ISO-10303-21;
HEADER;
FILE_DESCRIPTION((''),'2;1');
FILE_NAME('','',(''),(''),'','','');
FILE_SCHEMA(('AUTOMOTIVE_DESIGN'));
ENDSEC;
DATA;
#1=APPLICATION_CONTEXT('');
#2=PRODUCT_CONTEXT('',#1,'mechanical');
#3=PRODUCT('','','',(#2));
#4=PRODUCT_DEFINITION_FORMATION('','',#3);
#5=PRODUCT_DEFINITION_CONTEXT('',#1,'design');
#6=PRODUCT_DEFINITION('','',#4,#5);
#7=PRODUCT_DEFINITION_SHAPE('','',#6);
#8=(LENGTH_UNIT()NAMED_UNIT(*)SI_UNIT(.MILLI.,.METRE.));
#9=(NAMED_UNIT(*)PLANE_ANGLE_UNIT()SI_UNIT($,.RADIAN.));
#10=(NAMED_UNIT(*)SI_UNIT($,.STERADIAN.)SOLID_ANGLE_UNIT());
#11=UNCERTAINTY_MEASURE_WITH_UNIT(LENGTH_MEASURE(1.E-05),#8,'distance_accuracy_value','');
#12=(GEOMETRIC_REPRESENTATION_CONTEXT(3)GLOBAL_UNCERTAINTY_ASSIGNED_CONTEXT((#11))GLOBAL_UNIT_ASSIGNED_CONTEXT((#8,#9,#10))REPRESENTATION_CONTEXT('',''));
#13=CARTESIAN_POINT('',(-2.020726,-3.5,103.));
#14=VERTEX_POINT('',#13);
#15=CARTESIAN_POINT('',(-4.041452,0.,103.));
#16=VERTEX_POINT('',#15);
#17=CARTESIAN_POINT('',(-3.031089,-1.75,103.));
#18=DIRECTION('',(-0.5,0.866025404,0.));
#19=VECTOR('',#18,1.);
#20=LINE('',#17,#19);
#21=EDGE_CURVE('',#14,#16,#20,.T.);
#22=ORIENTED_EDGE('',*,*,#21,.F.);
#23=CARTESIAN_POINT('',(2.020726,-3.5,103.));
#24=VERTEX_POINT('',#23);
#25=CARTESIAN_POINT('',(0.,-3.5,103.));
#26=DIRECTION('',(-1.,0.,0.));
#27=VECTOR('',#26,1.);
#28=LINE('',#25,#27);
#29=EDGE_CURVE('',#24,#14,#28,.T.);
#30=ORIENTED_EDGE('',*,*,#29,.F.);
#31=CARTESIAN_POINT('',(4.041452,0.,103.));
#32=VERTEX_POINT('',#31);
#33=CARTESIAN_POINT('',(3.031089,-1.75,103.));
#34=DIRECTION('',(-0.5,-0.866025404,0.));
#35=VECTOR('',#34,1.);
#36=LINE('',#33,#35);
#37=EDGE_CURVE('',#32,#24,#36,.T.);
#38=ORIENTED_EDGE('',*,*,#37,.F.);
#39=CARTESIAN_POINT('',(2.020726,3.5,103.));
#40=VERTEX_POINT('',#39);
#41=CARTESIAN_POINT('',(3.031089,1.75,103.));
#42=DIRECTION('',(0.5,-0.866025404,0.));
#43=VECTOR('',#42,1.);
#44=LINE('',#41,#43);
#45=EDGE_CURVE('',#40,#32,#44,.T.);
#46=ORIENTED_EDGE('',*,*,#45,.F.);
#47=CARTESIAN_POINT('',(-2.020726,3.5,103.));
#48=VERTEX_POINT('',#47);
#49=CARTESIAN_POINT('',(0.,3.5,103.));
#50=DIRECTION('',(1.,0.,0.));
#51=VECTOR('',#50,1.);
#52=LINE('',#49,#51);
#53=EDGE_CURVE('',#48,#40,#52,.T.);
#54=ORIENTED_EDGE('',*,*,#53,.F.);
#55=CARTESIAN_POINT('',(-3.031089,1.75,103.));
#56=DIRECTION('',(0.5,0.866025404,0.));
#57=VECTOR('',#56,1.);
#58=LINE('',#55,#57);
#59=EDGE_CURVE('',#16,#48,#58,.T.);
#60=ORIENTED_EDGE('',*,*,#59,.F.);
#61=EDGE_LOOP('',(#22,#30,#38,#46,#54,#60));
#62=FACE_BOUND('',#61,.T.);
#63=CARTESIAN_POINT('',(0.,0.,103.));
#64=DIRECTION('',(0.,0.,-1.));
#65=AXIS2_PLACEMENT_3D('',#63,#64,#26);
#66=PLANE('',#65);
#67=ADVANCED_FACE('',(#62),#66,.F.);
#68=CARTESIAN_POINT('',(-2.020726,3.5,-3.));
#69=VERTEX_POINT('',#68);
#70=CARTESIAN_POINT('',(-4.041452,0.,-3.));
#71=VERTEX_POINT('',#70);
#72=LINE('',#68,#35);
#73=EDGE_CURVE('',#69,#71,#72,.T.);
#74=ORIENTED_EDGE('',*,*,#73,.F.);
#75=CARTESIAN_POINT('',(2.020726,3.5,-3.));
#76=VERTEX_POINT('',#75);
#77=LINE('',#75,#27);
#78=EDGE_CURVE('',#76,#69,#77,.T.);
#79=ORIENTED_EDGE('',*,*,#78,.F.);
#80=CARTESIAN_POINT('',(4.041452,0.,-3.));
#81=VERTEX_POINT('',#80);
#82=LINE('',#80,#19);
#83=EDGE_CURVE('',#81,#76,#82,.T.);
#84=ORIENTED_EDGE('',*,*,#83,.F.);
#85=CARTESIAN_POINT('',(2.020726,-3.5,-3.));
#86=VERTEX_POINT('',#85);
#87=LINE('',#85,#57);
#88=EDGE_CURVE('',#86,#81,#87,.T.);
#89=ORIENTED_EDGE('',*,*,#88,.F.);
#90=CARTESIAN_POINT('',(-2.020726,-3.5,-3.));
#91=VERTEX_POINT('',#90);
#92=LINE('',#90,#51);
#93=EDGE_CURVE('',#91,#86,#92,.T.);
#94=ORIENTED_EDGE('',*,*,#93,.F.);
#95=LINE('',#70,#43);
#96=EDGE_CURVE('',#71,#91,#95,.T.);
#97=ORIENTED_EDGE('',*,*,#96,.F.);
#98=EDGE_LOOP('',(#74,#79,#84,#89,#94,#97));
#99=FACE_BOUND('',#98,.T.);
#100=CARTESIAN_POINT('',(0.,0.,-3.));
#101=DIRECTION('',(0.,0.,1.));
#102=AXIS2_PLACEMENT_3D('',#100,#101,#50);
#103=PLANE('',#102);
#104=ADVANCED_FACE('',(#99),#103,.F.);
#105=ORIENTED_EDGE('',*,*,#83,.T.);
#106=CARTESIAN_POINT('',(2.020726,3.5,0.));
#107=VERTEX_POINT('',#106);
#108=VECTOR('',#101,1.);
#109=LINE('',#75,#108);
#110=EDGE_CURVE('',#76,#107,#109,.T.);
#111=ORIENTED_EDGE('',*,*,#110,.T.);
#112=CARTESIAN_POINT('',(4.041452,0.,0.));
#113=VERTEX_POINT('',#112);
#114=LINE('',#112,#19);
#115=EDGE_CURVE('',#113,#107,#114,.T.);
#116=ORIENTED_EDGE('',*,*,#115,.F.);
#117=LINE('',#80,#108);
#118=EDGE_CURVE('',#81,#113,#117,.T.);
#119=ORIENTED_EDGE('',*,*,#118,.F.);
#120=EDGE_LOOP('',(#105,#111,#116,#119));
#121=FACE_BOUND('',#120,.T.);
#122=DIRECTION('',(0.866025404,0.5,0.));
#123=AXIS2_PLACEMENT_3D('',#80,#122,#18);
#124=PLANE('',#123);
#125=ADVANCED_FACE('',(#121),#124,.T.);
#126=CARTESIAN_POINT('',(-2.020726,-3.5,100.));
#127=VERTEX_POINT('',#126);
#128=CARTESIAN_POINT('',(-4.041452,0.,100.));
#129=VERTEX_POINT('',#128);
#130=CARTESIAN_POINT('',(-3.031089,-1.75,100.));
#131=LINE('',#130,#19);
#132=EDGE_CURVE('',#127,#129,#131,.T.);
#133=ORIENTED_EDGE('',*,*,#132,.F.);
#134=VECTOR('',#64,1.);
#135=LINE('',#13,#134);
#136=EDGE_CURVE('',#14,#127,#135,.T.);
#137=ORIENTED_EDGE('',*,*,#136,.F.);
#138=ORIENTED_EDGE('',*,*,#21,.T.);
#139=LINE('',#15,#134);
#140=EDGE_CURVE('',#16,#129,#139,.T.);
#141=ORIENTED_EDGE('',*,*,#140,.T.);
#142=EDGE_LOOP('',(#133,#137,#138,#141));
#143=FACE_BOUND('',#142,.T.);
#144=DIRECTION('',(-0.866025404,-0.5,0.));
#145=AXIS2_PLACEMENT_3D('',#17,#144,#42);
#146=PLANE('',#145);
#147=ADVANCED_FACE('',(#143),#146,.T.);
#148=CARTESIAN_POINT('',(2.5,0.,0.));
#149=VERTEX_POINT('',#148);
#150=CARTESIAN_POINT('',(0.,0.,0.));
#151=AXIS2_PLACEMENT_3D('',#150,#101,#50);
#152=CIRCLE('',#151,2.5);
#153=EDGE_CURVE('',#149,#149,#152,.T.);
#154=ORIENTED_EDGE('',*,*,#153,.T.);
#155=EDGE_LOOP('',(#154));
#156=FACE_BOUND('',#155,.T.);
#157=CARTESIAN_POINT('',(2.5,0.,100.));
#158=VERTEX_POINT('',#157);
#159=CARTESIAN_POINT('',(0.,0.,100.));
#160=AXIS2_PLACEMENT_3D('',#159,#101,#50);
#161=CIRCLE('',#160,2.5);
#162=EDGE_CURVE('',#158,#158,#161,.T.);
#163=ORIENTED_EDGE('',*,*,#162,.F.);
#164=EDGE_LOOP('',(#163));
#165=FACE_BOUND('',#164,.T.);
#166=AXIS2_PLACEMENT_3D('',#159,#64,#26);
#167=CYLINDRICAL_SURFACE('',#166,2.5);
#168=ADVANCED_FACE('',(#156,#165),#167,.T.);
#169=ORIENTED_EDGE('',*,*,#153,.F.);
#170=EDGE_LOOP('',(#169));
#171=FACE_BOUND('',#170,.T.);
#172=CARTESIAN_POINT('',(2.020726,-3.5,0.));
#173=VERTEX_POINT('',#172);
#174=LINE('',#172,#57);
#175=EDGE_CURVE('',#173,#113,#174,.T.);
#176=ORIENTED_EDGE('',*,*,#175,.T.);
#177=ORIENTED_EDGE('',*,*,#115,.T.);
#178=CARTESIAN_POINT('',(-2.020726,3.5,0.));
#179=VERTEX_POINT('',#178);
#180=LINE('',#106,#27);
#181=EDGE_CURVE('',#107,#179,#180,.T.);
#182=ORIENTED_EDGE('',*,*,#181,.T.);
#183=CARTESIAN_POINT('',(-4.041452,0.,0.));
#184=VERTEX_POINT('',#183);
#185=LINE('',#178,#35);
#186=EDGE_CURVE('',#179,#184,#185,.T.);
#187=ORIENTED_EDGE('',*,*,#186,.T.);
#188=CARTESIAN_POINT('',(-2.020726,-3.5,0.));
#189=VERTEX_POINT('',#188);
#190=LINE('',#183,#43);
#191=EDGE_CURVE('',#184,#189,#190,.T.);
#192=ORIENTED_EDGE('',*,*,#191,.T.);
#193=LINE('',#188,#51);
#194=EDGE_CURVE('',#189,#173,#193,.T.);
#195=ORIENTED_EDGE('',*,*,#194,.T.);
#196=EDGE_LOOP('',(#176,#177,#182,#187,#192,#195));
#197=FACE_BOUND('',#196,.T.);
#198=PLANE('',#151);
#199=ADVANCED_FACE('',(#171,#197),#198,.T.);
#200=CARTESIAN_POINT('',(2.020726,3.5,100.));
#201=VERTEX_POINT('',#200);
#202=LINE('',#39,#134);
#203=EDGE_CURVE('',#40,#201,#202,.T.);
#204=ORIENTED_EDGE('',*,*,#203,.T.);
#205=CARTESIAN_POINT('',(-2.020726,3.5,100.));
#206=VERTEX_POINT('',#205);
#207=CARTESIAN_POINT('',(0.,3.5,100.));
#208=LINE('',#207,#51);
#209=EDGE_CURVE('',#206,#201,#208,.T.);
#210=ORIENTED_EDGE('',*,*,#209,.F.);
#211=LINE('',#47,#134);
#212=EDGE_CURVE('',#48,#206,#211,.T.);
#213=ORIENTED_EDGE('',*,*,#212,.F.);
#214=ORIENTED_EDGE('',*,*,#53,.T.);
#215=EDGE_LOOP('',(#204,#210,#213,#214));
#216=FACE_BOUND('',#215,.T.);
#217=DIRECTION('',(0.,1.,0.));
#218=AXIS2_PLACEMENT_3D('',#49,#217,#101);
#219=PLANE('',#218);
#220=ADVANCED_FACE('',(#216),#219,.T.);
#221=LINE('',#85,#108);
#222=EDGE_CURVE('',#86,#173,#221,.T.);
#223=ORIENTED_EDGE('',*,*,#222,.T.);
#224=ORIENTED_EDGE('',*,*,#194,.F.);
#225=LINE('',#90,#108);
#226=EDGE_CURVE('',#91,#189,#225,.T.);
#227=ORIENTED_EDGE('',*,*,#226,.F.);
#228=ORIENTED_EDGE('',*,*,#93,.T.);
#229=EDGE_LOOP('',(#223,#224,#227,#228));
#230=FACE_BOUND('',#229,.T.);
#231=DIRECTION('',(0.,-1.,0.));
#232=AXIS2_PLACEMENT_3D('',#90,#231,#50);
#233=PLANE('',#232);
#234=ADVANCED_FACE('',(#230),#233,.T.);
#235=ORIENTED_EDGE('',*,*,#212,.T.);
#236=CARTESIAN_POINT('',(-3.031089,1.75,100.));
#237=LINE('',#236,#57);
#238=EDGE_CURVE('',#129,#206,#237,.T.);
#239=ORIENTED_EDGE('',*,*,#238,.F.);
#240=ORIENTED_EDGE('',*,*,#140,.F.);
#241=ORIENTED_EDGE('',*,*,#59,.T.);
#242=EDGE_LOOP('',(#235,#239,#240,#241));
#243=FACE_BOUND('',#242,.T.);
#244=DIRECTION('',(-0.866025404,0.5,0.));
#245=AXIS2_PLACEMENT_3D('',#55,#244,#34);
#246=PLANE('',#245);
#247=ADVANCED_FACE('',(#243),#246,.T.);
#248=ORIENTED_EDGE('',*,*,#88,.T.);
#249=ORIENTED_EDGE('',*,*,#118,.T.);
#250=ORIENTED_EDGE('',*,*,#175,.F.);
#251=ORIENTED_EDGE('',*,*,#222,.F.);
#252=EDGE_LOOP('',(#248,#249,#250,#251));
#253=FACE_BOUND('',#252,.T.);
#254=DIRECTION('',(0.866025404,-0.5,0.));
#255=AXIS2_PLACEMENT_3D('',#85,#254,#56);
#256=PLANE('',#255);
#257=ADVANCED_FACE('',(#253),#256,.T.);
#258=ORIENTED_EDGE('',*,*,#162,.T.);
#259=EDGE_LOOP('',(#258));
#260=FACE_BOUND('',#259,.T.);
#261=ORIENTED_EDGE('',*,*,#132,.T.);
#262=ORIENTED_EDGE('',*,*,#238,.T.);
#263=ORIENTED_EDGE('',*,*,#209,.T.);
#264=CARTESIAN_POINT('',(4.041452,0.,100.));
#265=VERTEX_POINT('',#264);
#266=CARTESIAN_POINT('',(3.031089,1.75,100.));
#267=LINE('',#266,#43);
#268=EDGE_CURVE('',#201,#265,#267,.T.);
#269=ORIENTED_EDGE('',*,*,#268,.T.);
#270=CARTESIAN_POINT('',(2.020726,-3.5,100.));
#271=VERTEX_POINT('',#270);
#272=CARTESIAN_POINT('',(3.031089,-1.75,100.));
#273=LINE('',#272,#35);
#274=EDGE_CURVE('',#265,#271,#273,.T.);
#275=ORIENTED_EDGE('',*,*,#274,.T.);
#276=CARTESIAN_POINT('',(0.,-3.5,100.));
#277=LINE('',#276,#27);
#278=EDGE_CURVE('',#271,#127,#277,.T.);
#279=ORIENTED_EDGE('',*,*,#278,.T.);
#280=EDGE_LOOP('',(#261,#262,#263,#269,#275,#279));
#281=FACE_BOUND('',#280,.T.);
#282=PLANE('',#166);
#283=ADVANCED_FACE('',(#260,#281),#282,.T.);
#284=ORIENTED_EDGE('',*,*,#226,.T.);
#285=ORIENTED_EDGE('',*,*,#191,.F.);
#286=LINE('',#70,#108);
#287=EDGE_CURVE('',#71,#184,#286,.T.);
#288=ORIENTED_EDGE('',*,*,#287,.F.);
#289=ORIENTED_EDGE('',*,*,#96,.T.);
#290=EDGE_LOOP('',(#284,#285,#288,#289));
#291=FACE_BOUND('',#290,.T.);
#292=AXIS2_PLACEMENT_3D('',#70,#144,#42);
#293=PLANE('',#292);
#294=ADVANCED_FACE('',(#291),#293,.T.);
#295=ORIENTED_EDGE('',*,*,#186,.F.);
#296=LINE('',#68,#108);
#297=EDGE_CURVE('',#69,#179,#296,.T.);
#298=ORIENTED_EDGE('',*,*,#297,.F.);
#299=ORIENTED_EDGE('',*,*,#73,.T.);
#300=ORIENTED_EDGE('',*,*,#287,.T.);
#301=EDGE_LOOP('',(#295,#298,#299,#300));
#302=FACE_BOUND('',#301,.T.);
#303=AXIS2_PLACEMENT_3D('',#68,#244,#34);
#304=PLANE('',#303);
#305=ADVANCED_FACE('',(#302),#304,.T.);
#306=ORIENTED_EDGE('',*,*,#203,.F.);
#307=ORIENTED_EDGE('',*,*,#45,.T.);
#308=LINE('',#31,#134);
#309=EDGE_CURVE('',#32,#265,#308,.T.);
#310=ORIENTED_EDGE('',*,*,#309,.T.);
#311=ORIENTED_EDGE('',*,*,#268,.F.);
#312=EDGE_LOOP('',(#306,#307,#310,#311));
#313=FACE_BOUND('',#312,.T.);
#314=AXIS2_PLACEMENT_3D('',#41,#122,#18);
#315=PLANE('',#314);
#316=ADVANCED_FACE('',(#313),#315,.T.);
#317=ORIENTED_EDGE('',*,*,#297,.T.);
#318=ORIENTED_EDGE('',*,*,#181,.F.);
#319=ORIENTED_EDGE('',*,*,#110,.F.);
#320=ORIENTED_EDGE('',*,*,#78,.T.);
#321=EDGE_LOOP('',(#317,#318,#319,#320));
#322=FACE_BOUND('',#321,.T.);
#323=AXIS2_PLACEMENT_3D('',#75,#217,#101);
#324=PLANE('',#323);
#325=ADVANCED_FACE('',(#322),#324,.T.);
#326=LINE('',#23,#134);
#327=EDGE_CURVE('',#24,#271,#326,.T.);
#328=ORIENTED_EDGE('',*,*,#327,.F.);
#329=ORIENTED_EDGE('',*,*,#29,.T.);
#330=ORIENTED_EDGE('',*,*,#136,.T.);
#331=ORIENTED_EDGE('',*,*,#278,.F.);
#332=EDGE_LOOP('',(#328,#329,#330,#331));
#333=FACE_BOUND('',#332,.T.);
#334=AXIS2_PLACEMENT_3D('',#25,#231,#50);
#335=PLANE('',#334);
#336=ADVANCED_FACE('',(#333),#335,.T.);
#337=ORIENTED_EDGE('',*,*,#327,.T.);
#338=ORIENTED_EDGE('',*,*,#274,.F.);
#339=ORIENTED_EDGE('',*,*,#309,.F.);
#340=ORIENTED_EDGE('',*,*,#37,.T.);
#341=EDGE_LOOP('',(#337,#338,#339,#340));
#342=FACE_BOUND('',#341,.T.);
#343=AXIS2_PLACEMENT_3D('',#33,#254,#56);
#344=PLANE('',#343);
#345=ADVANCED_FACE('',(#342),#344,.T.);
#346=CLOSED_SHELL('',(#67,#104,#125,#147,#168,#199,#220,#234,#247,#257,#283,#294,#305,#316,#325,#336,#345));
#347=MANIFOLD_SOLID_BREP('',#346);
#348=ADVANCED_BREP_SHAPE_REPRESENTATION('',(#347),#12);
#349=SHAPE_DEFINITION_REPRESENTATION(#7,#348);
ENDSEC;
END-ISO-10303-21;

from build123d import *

# Parameters (mm, degrees)
SKETCH_1_R      = 2.5
EXTRUDE_1_DEPTH = 100
EXTRUDE_2_DEPTH = 3
EXTRUDE_START   = 100
EXTRUDE_3_DEPTH = 3


with BuildPart() as part:
    # 草圖1 → 填料-伸長1 (new body)
    with BuildSketch(Plane.XY):
        Circle(SKETCH_1_R)
    extrude(amount=EXTRUDE_1_DEPTH)

    # 草圖3 → 填料-伸長2 (add)
    with BuildSketch(Plane.XY):
        Polygon((2.020725942, 3.5), (-2.020725942, 3.5), (-4.041451884, 0), (-2.020725942, -3.5), (2.020725942, -3.5), (4.041451884, 0), align=None)
    extrude(amount=-EXTRUDE_2_DEPTH)

    # 草圖4 → 填料-伸長3 (add)
    with BuildSketch(Plane.XY.offset(EXTRUDE_START)):
        Polygon((-4.041451884, 0), (-2.020725942, -3.5), (2.020725942, -3.5), (4.041451884, 0), (2.020725942, 3.5), (-2.020725942, 3.5), align=None)
    extrude(amount=EXTRUDE_3_DEPTH)


solid = part.part
